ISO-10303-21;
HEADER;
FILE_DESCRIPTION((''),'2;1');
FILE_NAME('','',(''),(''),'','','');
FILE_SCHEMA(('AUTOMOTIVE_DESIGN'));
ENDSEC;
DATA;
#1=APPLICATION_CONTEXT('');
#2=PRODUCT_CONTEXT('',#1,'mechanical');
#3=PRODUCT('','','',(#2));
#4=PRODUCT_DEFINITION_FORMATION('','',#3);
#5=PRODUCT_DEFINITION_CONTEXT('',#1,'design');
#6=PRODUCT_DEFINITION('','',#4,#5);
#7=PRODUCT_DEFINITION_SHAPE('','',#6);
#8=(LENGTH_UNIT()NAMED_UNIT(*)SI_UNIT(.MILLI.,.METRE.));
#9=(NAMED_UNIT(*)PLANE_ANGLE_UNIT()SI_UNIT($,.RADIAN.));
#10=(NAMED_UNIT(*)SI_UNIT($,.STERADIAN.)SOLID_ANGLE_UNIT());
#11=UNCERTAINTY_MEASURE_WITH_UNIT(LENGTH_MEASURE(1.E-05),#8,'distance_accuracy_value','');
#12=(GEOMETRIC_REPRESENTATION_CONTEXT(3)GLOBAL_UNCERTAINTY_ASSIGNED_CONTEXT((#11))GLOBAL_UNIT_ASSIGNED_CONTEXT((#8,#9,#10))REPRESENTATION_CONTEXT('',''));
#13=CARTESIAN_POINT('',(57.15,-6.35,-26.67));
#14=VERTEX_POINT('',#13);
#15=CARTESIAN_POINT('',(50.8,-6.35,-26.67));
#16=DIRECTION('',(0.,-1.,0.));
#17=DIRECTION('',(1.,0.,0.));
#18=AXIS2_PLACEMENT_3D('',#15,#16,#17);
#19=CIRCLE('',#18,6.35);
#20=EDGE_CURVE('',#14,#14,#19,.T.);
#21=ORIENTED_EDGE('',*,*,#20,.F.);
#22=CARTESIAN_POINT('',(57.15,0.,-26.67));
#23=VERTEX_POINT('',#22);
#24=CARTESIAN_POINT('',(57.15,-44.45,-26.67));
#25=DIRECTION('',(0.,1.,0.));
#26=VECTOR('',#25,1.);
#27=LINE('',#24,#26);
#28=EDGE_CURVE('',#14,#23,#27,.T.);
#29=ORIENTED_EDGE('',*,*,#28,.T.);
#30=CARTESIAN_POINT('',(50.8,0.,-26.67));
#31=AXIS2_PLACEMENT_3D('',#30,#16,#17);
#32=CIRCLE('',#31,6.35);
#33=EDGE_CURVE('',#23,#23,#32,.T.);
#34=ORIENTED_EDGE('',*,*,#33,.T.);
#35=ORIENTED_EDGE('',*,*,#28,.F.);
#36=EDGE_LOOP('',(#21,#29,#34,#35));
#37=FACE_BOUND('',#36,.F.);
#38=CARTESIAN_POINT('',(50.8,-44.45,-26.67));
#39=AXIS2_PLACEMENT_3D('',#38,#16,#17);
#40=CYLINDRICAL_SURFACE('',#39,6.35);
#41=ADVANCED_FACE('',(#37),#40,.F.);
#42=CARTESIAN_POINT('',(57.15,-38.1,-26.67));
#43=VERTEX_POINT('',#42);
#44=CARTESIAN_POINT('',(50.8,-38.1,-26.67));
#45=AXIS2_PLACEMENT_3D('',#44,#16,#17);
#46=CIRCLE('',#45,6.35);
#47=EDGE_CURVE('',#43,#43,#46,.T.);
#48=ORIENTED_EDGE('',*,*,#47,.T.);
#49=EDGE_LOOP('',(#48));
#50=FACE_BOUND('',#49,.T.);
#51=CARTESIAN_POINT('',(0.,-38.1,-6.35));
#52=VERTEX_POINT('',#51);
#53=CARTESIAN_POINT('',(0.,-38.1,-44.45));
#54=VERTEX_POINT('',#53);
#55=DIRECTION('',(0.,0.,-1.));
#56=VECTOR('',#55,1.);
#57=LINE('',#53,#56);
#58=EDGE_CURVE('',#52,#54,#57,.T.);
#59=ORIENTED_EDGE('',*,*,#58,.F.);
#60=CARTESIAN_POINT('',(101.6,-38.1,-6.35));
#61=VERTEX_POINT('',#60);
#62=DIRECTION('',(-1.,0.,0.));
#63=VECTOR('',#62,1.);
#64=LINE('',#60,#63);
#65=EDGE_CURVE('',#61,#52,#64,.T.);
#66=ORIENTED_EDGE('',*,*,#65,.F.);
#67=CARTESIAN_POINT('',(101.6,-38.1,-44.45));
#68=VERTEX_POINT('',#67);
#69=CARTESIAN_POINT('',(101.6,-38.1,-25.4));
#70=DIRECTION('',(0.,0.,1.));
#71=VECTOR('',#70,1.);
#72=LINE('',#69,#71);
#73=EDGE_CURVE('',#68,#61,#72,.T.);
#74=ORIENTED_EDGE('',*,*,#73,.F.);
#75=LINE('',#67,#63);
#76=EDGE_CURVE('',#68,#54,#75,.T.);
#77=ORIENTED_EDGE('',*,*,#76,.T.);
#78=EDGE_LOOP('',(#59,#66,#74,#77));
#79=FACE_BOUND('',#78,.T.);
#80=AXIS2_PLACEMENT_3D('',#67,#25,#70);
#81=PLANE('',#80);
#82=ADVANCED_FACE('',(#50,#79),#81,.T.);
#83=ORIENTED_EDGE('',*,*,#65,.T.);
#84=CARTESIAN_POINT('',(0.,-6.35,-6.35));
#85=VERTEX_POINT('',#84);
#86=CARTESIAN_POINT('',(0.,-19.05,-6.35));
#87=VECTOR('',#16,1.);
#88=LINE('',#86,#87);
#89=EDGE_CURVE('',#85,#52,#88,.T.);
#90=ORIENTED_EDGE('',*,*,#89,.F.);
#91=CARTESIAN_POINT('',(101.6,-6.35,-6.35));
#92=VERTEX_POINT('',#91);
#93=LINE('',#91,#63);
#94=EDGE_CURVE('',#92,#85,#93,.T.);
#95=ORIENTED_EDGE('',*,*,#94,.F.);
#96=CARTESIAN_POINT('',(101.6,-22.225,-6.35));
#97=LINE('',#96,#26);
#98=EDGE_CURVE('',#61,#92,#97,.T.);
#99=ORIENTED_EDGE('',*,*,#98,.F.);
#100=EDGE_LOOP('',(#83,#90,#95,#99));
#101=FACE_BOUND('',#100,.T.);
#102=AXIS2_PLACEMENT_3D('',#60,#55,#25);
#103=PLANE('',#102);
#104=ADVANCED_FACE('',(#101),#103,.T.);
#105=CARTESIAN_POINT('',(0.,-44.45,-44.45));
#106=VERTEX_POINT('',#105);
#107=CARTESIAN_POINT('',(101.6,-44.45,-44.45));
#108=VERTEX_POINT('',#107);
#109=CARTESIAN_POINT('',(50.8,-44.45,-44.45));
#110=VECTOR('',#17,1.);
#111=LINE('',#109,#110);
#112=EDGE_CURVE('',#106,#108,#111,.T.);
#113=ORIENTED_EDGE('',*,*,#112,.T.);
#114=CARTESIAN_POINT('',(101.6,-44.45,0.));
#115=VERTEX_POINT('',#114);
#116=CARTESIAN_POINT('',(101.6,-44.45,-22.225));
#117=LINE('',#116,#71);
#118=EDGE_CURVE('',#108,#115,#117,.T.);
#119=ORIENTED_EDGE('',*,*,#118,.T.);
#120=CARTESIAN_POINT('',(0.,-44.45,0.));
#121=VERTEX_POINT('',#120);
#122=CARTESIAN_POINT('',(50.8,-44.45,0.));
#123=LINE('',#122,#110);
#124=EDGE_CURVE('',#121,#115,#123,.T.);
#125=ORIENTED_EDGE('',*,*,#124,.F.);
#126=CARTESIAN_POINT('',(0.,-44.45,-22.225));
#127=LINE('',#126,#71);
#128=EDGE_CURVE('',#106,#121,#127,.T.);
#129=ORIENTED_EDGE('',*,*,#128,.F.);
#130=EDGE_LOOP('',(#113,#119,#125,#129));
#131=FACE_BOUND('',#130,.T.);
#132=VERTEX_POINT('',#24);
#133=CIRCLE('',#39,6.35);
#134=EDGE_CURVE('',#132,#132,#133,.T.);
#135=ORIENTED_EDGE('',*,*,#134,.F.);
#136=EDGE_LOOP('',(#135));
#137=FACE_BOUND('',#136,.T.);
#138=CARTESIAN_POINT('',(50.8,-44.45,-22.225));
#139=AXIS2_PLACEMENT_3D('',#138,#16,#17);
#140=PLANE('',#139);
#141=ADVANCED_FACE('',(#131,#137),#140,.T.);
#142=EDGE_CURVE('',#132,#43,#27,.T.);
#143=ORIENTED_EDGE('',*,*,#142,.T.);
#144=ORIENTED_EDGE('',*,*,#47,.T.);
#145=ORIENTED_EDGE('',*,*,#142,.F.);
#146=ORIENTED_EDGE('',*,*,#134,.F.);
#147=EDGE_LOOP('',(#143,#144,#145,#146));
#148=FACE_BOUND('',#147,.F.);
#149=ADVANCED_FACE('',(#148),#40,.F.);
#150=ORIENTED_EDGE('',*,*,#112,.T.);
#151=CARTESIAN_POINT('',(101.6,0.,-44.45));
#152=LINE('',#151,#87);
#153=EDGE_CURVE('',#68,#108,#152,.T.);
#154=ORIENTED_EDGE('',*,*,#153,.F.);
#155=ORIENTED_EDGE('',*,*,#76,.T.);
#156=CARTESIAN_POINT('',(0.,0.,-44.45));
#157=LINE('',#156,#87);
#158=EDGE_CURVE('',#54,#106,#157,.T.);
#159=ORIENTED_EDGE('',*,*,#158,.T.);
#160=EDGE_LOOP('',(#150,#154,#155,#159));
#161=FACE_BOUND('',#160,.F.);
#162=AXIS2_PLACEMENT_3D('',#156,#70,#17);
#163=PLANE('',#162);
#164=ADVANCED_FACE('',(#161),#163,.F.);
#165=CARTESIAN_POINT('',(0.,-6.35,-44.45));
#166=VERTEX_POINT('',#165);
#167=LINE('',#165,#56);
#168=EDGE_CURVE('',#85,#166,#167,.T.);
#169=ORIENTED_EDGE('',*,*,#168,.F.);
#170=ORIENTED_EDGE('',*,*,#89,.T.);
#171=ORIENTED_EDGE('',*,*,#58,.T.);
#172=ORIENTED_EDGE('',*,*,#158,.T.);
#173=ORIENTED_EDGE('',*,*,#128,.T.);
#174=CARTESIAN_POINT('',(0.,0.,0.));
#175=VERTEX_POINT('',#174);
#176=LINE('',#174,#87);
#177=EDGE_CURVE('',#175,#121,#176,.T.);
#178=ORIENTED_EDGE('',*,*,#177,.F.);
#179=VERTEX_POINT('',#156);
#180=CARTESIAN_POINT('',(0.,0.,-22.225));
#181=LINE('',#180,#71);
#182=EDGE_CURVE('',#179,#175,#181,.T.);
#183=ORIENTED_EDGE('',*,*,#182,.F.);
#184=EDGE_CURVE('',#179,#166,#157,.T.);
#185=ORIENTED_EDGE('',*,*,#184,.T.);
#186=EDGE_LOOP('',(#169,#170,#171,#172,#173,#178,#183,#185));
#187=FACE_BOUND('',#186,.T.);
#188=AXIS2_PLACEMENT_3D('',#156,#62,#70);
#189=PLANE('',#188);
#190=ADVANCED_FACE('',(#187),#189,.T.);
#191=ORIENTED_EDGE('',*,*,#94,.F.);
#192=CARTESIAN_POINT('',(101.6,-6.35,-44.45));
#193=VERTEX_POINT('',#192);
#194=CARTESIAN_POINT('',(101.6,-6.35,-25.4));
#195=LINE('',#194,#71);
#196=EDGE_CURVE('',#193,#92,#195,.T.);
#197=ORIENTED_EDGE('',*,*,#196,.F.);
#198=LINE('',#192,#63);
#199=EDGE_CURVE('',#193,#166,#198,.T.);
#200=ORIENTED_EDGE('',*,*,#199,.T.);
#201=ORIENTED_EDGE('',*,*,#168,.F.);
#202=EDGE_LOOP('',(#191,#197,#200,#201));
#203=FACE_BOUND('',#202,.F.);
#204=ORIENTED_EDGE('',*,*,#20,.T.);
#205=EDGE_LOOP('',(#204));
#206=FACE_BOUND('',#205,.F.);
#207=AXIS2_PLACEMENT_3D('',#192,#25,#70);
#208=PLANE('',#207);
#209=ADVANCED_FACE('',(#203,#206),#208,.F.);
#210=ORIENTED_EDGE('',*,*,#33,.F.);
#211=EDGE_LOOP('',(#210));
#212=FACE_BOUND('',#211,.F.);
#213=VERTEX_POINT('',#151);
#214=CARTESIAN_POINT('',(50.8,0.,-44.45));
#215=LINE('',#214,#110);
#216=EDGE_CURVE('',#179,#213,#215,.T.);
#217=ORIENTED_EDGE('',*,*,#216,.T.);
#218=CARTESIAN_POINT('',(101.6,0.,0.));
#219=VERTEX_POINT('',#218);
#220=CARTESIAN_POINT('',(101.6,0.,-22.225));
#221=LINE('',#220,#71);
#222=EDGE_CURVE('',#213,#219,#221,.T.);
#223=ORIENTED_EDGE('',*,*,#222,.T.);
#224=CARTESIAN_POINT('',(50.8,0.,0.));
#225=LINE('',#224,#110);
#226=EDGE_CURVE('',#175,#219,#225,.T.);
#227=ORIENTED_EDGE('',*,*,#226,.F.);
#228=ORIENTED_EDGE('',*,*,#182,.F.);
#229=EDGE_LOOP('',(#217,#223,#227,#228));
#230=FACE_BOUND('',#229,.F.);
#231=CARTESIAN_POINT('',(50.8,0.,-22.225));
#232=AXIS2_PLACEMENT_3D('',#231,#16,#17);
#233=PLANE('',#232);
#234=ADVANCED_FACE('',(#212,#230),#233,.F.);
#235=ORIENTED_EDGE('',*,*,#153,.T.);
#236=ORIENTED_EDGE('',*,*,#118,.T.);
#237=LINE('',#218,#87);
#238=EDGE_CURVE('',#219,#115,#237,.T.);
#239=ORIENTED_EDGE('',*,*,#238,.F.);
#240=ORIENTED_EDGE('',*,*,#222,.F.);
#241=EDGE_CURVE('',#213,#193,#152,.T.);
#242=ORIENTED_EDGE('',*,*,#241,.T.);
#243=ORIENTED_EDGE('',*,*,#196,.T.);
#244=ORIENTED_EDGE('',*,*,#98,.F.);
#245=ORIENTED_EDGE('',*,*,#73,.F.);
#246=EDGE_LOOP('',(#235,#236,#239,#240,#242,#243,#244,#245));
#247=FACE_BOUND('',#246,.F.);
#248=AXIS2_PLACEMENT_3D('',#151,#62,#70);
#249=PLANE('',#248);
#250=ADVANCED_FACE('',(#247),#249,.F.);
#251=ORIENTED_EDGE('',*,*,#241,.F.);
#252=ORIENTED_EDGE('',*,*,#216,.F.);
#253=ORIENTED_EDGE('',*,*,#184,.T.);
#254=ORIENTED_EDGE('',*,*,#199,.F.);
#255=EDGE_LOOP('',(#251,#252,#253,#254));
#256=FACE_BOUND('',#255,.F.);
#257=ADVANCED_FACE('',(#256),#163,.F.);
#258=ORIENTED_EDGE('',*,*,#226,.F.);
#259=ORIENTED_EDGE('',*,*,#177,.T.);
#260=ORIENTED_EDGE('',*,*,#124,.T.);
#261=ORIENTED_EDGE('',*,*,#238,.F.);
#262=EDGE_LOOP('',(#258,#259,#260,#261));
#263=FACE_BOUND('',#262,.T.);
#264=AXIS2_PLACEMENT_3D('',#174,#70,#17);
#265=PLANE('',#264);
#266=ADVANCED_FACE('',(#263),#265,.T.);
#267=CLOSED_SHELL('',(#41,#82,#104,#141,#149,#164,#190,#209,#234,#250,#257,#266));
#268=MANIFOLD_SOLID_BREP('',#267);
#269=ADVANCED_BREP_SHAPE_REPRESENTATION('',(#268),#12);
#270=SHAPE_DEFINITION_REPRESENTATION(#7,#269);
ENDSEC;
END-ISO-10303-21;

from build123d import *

# Parameters (mm, degrees)
F0_W     = 101.6
F0_H     = 44.45
F1_DEPTH = 44.45
F2_W     = 31.75
F2_H     = 38.1
F3_DEPTH = 101.601
F4_R     = 6.35
F5_DEPTH = 44.451


with BuildPart() as f1:
    # F0 (on Front) → F1 (new body)
    with BuildSketch(Plane.XZ):
        with Locations((50.8, -22.225)):
            Rectangle(F0_W, F0_H)
    extrude(amount=F1_DEPTH)

    # F2 (on face) → F3 (cut, through all)
    with BuildSketch(Plane.YZ.offset(101.6)):
        with Locations((-22.225, -25.4)):
            Rectangle(F2_W, F2_H)
    extrude(amount=-F3_DEPTH, mode=Mode.SUBTRACT)

    # F4 (on face) → F5 (cut, through all)
    with BuildSketch(Plane.XZ.offset(44.45)):
        with Locations((50.8, -26.67)):
            Circle(F4_R)
    extrude(amount=-F5_DEPTH, mode=Mode.SUBTRACT)


solid = f1.part
